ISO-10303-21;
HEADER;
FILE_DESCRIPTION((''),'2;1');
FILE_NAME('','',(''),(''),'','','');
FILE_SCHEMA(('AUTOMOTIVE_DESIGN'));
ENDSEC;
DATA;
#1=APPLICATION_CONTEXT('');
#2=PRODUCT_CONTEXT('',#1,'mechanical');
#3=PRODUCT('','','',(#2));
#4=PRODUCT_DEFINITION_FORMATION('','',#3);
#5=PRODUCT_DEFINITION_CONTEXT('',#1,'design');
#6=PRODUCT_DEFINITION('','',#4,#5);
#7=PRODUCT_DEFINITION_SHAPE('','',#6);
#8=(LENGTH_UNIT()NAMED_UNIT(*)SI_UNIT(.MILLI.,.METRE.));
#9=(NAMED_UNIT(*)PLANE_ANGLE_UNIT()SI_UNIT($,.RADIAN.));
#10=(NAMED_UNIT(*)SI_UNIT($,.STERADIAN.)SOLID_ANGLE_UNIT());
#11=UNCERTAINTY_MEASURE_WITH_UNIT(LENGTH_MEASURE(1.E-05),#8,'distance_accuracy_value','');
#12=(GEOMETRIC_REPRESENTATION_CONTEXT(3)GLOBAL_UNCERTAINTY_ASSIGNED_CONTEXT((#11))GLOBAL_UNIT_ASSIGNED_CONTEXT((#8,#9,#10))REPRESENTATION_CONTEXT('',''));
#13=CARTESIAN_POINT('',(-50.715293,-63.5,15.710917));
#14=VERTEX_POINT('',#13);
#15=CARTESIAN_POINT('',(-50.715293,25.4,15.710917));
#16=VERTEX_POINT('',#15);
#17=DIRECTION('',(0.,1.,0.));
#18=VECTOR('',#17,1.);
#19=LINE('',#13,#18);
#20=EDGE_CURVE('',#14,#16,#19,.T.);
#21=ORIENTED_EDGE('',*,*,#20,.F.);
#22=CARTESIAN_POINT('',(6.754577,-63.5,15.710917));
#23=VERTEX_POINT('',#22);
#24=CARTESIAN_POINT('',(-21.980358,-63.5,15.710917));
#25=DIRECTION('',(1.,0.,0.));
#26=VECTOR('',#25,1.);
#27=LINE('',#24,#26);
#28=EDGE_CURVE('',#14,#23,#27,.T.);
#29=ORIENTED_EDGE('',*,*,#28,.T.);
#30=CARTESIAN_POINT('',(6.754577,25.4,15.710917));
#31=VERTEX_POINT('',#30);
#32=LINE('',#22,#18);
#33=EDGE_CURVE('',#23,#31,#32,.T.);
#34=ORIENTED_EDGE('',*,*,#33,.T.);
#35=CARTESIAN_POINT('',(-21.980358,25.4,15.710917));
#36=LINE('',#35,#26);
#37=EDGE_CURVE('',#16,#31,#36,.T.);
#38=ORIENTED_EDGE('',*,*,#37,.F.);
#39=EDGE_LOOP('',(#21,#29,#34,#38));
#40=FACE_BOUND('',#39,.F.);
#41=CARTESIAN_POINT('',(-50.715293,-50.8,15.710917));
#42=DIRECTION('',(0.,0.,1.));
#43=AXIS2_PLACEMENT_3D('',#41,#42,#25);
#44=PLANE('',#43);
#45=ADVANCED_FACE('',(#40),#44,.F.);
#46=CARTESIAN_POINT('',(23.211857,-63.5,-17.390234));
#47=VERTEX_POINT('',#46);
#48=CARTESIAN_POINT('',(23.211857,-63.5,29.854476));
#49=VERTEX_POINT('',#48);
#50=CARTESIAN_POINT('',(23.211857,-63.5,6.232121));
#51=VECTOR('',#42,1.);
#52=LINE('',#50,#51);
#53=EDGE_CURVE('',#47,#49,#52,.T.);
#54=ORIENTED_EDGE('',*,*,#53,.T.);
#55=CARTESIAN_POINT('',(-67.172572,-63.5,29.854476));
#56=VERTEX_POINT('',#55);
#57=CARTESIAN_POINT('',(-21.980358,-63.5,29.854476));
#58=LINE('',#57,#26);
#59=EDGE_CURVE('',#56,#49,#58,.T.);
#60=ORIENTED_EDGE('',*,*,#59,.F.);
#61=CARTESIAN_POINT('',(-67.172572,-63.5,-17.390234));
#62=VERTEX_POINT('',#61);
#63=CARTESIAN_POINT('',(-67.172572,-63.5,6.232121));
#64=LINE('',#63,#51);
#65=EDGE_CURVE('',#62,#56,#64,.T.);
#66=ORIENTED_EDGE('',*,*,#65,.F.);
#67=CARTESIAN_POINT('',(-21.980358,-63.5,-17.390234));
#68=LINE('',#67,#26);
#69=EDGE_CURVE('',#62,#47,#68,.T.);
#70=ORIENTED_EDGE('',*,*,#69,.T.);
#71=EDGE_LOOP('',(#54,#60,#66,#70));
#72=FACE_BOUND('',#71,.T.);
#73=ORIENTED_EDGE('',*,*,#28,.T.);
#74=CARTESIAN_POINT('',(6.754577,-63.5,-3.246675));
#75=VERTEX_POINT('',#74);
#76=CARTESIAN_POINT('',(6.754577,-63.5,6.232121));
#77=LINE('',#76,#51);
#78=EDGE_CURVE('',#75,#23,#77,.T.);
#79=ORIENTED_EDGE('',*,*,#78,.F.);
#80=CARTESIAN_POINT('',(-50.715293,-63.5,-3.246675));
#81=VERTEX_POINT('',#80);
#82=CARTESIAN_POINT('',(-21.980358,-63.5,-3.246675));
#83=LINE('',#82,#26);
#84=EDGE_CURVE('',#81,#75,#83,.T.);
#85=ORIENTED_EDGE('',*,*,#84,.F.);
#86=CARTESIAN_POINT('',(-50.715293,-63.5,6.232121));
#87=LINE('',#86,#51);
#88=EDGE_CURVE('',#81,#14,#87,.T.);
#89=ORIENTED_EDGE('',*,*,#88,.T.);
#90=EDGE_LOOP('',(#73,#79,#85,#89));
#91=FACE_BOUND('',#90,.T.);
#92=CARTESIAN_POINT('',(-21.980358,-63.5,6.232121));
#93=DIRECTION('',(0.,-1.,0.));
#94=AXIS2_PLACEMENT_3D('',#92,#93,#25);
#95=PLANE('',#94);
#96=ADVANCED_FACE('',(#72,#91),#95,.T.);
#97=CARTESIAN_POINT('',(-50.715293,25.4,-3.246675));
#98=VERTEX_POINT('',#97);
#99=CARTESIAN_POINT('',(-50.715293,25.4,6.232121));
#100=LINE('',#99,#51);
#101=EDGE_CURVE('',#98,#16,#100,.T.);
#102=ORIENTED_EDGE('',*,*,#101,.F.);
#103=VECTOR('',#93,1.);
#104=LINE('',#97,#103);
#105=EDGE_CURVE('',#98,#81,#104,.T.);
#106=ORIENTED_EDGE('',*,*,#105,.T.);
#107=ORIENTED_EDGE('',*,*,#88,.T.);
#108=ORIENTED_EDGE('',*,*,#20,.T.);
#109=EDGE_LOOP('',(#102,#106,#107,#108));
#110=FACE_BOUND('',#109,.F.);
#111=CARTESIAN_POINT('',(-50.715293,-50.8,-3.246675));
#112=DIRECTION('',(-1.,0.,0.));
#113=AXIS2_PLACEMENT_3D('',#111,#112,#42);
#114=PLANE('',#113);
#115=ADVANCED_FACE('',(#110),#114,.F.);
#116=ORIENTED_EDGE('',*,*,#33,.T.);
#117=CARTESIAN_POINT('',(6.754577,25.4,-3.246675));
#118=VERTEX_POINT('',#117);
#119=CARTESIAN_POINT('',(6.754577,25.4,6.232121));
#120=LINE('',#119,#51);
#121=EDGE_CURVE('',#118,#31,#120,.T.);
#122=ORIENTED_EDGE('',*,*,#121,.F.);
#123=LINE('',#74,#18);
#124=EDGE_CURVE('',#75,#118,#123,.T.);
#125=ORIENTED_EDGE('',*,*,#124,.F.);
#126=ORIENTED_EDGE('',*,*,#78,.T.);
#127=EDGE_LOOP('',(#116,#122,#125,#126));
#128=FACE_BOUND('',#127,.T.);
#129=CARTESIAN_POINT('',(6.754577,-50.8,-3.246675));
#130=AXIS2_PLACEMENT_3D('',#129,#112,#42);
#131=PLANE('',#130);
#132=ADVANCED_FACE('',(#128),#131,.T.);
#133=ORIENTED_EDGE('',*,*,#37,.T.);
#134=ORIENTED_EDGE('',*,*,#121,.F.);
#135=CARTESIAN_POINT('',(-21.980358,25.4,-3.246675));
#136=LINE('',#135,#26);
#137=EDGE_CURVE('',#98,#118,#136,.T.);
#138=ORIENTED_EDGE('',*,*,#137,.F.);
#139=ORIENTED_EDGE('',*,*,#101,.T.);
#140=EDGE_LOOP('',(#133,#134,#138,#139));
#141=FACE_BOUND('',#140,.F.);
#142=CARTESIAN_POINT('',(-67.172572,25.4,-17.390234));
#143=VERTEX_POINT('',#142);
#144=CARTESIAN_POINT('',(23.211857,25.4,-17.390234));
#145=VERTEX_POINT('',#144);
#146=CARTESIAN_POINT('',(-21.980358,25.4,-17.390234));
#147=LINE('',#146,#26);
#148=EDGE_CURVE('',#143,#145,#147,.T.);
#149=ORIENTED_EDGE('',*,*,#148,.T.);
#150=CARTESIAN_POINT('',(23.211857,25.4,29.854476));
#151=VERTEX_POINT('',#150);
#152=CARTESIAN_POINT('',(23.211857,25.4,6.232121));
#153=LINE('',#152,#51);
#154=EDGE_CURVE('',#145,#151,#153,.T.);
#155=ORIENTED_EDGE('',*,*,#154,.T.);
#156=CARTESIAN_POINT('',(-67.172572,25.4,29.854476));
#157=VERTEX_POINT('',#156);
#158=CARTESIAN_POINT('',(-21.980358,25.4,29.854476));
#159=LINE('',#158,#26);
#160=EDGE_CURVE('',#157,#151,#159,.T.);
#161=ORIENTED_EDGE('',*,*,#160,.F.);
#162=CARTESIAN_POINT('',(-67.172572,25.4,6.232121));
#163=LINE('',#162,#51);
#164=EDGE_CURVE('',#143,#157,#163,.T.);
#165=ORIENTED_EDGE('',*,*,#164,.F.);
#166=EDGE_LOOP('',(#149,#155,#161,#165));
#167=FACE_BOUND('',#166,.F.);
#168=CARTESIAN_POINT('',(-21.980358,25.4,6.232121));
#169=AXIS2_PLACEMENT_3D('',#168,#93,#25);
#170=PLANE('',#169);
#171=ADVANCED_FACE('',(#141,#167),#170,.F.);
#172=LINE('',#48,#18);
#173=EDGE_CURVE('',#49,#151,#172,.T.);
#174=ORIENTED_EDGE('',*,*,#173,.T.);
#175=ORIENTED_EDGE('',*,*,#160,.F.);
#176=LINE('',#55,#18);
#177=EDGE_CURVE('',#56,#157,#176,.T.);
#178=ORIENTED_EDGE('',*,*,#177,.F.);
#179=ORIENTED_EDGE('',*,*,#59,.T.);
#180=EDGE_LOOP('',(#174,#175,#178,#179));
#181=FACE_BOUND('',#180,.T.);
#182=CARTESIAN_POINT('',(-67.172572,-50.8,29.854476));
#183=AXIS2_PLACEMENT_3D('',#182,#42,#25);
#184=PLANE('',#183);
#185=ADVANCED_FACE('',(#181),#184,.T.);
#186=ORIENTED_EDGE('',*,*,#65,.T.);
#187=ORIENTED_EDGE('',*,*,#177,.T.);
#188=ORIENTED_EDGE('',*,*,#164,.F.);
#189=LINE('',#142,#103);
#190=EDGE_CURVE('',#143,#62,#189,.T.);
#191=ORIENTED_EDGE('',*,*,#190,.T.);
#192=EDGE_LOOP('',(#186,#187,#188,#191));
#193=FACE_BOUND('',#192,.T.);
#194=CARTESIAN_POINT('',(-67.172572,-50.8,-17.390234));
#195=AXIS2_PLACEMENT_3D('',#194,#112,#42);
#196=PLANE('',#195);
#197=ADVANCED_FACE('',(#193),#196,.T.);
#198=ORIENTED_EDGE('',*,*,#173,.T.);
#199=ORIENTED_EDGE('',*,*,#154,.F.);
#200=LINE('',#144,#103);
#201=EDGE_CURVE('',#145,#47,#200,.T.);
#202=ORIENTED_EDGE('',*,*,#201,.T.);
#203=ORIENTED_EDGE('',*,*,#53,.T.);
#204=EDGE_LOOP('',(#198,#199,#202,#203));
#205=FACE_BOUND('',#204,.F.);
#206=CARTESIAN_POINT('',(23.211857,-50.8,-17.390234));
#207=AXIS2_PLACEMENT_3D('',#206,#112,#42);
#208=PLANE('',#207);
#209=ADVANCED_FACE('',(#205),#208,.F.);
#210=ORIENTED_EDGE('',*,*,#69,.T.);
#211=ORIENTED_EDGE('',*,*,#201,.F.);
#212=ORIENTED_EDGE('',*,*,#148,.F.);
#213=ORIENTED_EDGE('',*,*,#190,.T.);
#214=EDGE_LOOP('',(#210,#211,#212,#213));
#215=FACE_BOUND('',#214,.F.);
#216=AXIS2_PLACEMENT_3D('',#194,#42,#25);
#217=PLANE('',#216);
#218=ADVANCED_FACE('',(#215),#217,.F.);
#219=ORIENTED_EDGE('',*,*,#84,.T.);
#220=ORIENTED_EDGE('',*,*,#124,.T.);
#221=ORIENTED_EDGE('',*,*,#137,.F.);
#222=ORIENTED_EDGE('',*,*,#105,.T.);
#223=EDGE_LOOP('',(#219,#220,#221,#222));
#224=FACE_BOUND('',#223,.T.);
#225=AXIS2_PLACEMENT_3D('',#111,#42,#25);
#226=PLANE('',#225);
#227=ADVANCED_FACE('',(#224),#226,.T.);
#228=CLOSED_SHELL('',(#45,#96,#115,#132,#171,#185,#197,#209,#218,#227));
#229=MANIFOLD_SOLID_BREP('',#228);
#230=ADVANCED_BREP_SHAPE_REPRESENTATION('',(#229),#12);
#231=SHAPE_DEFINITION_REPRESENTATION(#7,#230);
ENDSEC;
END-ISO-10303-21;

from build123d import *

# Parameters (mm, degrees)
F0_W     = 90.384428855
F0_H     = 47.2447103821
F0_W_2   = 57.4698699638
F0_H_2   = 18.9575916156
F1_DEPTH = 25.4
F2_DEPTH = 25.4
F3_DEPTH = 12.7


with BuildPart() as f1:
    # F0 (on Front) → F1 (new body, symmetric)
    with BuildSketch(Plane.XZ):
        with Locations((-21.9803575892, 6.2321212608)):
            Rectangle(F0_W, F0_H)
        with Locations((-21.9803575892, 6.2321212608)):
            Rectangle(F0_W_2, F0_H_2, mode=Mode.SUBTRACT)
    extrude(amount=F1_DEPTH, both=True)

    # F2 (add): a face of the model
    f2_faces = [f1.faces().sort_by_distance(p)[0] for p in [
        (-21.9803575892, -25.4, 28.8346035363),
    ]]
    extrude(f2_faces, amount=F2_DEPTH)

    # F3 (add): a face of the model
    f3_faces = [f1.faces().sort_by_distance(p)[0] for p in [
        (-21.9803575892, -50.8, 28.8346035363),
    ]]
    extrude(f3_faces, amount=F3_DEPTH)


solid = f1.part
